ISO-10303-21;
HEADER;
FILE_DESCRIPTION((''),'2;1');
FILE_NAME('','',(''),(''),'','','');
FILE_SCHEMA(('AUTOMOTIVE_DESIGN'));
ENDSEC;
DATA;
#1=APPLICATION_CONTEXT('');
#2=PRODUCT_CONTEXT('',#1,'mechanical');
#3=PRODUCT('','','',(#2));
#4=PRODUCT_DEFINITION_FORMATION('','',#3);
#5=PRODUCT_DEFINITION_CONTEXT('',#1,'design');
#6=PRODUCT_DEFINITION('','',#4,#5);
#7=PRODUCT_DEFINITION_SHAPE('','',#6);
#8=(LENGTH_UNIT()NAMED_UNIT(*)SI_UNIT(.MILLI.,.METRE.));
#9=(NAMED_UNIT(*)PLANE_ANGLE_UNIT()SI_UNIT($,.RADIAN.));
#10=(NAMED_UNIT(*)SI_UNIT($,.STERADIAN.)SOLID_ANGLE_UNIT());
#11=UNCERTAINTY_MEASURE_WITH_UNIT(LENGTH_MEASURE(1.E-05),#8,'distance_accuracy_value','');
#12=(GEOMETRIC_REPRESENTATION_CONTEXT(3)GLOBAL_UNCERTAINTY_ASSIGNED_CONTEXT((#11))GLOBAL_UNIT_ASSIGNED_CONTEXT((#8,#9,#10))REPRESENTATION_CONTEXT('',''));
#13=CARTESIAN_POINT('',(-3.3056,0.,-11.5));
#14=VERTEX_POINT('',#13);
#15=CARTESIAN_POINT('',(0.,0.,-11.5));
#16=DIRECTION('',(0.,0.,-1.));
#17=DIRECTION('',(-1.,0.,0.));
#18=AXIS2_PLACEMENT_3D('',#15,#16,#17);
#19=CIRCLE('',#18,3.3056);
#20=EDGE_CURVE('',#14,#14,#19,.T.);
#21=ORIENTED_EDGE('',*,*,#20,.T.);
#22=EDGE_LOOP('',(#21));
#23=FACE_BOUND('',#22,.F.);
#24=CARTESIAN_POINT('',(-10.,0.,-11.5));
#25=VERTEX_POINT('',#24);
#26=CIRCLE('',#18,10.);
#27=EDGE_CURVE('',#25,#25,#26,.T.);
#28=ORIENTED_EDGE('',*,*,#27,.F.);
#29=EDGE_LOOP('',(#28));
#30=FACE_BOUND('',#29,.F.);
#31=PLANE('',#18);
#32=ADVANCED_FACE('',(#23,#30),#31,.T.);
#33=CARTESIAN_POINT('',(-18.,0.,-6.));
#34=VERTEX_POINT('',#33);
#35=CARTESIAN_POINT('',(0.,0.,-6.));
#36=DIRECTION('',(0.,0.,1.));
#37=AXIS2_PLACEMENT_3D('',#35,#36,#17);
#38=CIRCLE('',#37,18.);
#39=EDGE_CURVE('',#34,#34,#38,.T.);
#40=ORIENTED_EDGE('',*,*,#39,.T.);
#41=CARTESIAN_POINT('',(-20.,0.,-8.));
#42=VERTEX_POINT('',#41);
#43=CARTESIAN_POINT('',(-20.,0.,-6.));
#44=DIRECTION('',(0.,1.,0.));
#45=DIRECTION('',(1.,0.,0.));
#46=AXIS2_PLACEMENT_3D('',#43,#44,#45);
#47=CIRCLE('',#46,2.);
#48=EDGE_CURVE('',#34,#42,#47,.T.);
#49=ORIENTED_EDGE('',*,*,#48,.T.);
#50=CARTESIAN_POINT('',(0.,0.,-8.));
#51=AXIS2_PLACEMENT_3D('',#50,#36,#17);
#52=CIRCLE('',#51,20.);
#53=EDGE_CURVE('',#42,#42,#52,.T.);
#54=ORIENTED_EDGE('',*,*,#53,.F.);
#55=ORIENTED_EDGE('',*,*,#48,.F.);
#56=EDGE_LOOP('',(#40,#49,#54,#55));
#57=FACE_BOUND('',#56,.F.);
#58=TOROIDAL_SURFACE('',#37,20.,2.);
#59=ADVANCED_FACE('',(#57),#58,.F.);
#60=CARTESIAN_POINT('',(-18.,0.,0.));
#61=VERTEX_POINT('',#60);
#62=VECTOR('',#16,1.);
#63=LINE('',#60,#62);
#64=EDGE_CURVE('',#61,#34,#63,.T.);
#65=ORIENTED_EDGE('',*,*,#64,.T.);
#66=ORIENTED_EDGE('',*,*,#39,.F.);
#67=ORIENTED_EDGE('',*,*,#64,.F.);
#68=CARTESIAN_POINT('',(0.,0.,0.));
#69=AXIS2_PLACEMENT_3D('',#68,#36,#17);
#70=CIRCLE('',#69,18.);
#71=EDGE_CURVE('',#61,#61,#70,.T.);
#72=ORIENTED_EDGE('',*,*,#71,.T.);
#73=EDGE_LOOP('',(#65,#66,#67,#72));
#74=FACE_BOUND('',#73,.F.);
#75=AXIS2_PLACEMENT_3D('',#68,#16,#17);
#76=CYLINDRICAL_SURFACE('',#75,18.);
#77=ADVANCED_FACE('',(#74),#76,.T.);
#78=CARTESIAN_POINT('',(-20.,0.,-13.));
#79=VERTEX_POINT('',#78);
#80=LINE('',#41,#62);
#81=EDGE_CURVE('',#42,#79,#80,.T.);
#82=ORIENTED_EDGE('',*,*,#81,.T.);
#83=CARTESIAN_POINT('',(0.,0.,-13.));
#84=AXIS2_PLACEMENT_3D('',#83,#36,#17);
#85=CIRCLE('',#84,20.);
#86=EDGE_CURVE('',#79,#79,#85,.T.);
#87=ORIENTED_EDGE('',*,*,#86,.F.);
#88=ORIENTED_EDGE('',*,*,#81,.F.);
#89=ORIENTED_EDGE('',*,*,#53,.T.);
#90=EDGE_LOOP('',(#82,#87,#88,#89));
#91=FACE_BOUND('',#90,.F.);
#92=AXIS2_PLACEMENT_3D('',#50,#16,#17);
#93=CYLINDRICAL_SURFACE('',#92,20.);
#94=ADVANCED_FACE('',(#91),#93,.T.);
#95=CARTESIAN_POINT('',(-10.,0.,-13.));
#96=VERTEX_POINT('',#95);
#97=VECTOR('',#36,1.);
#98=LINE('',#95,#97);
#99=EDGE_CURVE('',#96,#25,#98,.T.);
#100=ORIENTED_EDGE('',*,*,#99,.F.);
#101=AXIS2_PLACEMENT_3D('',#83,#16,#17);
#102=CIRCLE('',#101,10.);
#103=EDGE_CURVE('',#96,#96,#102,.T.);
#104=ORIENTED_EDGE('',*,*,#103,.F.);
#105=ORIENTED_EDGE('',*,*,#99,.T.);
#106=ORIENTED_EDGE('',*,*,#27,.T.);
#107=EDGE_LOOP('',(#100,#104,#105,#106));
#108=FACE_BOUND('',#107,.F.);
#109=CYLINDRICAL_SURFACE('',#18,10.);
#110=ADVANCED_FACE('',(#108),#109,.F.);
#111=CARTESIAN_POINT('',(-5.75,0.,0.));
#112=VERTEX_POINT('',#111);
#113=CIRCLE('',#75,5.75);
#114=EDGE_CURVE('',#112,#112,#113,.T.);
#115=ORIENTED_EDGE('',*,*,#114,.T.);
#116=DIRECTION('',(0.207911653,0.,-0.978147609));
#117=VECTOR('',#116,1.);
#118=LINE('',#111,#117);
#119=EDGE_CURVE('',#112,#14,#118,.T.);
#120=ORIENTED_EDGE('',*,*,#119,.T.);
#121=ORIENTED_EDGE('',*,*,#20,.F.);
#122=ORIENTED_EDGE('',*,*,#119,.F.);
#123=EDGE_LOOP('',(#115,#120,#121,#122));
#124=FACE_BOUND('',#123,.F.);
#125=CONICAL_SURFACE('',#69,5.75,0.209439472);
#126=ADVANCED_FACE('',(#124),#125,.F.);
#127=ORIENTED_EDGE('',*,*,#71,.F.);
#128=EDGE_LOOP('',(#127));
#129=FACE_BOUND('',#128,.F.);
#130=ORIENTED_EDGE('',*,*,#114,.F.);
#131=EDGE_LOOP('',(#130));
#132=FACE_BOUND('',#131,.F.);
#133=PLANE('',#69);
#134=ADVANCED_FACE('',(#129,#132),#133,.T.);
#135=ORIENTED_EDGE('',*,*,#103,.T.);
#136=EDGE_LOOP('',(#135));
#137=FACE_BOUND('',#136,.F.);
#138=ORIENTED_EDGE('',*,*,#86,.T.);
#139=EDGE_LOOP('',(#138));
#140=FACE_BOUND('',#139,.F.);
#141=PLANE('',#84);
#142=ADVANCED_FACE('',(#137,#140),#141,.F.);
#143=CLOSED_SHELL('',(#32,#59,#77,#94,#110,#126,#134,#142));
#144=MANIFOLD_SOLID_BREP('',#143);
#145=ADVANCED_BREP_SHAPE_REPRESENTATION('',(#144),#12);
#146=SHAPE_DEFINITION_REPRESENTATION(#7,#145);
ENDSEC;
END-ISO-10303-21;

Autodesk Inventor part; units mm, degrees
ref_plane "YZ Plane" through (0, 0, 0) normal (1, 0, 0) x (0, 1, 0)
ref_plane "XY Plane" through (0, 0, 0) normal (0, 0, 1) x (1, 0, 0)
sketch "Skizze1" plane through (0, 0, 0) normal (0, 1, 0) x (-1, 0, 0)
  line L0 (0, 0) -> (18, 0)
  line L1 (18, 0) -> (18, -6)
  arc A0 (18, -6) -> (20, -8) centre (20, -6) ccw
  line L2 (20, -8) -> (20, -13)
  line L3 (20, -13) -> (0, -13)
  line L4 (0, -13) -> (0, 0)
  dimension "d0" = 5
  dimension "d2" = 40
  dimension "d3" = 36
  dimension "d12" = 13
revolve "Umdrehung1" add sketch "Skizze1" angle 360 about axis through (0, 0, -13) along (0, 0, 1)
ref_plane "Arbeitsebene1" through (0, 0, 0) normal (0, 1, 0) x (-1, 0, 0)
sketch "Skizze2" plane through (0, 0, 0) normal (0, 1, 0) x (-1, 0, 0)
  line L0 (18, 0) -> (-18, 0) projected
  line L1 (20, -13) -> (-20, -13) projected
  line L2 (5.75, 0) -> (3.3056, -11.5)
  line L3 (3.3056, -11.5) -> (10, -11.5)
  line L4 (10, -11.5) -> (10, -12.0712)
  line L5 (10, -12.0712) -> (10, -12.0712)
  line L6 (10, -12.0712) -> (10, -13)
  line L7 (0, 0) -> (0, -13)
  line L8 (5.75, 0) -> (0, 0)
  dimension "d6" = 1.5
  dimension "d7" = 12
  dimension "d8" = 11.5
  dimension "d9" = 20
revolve "Umdrehung2" cut sketch "Skizze2" angle 360 about axis through (0, 0, 0) along (0, 0, -1)
properties part number "Mitnehmer" material "Lead"
